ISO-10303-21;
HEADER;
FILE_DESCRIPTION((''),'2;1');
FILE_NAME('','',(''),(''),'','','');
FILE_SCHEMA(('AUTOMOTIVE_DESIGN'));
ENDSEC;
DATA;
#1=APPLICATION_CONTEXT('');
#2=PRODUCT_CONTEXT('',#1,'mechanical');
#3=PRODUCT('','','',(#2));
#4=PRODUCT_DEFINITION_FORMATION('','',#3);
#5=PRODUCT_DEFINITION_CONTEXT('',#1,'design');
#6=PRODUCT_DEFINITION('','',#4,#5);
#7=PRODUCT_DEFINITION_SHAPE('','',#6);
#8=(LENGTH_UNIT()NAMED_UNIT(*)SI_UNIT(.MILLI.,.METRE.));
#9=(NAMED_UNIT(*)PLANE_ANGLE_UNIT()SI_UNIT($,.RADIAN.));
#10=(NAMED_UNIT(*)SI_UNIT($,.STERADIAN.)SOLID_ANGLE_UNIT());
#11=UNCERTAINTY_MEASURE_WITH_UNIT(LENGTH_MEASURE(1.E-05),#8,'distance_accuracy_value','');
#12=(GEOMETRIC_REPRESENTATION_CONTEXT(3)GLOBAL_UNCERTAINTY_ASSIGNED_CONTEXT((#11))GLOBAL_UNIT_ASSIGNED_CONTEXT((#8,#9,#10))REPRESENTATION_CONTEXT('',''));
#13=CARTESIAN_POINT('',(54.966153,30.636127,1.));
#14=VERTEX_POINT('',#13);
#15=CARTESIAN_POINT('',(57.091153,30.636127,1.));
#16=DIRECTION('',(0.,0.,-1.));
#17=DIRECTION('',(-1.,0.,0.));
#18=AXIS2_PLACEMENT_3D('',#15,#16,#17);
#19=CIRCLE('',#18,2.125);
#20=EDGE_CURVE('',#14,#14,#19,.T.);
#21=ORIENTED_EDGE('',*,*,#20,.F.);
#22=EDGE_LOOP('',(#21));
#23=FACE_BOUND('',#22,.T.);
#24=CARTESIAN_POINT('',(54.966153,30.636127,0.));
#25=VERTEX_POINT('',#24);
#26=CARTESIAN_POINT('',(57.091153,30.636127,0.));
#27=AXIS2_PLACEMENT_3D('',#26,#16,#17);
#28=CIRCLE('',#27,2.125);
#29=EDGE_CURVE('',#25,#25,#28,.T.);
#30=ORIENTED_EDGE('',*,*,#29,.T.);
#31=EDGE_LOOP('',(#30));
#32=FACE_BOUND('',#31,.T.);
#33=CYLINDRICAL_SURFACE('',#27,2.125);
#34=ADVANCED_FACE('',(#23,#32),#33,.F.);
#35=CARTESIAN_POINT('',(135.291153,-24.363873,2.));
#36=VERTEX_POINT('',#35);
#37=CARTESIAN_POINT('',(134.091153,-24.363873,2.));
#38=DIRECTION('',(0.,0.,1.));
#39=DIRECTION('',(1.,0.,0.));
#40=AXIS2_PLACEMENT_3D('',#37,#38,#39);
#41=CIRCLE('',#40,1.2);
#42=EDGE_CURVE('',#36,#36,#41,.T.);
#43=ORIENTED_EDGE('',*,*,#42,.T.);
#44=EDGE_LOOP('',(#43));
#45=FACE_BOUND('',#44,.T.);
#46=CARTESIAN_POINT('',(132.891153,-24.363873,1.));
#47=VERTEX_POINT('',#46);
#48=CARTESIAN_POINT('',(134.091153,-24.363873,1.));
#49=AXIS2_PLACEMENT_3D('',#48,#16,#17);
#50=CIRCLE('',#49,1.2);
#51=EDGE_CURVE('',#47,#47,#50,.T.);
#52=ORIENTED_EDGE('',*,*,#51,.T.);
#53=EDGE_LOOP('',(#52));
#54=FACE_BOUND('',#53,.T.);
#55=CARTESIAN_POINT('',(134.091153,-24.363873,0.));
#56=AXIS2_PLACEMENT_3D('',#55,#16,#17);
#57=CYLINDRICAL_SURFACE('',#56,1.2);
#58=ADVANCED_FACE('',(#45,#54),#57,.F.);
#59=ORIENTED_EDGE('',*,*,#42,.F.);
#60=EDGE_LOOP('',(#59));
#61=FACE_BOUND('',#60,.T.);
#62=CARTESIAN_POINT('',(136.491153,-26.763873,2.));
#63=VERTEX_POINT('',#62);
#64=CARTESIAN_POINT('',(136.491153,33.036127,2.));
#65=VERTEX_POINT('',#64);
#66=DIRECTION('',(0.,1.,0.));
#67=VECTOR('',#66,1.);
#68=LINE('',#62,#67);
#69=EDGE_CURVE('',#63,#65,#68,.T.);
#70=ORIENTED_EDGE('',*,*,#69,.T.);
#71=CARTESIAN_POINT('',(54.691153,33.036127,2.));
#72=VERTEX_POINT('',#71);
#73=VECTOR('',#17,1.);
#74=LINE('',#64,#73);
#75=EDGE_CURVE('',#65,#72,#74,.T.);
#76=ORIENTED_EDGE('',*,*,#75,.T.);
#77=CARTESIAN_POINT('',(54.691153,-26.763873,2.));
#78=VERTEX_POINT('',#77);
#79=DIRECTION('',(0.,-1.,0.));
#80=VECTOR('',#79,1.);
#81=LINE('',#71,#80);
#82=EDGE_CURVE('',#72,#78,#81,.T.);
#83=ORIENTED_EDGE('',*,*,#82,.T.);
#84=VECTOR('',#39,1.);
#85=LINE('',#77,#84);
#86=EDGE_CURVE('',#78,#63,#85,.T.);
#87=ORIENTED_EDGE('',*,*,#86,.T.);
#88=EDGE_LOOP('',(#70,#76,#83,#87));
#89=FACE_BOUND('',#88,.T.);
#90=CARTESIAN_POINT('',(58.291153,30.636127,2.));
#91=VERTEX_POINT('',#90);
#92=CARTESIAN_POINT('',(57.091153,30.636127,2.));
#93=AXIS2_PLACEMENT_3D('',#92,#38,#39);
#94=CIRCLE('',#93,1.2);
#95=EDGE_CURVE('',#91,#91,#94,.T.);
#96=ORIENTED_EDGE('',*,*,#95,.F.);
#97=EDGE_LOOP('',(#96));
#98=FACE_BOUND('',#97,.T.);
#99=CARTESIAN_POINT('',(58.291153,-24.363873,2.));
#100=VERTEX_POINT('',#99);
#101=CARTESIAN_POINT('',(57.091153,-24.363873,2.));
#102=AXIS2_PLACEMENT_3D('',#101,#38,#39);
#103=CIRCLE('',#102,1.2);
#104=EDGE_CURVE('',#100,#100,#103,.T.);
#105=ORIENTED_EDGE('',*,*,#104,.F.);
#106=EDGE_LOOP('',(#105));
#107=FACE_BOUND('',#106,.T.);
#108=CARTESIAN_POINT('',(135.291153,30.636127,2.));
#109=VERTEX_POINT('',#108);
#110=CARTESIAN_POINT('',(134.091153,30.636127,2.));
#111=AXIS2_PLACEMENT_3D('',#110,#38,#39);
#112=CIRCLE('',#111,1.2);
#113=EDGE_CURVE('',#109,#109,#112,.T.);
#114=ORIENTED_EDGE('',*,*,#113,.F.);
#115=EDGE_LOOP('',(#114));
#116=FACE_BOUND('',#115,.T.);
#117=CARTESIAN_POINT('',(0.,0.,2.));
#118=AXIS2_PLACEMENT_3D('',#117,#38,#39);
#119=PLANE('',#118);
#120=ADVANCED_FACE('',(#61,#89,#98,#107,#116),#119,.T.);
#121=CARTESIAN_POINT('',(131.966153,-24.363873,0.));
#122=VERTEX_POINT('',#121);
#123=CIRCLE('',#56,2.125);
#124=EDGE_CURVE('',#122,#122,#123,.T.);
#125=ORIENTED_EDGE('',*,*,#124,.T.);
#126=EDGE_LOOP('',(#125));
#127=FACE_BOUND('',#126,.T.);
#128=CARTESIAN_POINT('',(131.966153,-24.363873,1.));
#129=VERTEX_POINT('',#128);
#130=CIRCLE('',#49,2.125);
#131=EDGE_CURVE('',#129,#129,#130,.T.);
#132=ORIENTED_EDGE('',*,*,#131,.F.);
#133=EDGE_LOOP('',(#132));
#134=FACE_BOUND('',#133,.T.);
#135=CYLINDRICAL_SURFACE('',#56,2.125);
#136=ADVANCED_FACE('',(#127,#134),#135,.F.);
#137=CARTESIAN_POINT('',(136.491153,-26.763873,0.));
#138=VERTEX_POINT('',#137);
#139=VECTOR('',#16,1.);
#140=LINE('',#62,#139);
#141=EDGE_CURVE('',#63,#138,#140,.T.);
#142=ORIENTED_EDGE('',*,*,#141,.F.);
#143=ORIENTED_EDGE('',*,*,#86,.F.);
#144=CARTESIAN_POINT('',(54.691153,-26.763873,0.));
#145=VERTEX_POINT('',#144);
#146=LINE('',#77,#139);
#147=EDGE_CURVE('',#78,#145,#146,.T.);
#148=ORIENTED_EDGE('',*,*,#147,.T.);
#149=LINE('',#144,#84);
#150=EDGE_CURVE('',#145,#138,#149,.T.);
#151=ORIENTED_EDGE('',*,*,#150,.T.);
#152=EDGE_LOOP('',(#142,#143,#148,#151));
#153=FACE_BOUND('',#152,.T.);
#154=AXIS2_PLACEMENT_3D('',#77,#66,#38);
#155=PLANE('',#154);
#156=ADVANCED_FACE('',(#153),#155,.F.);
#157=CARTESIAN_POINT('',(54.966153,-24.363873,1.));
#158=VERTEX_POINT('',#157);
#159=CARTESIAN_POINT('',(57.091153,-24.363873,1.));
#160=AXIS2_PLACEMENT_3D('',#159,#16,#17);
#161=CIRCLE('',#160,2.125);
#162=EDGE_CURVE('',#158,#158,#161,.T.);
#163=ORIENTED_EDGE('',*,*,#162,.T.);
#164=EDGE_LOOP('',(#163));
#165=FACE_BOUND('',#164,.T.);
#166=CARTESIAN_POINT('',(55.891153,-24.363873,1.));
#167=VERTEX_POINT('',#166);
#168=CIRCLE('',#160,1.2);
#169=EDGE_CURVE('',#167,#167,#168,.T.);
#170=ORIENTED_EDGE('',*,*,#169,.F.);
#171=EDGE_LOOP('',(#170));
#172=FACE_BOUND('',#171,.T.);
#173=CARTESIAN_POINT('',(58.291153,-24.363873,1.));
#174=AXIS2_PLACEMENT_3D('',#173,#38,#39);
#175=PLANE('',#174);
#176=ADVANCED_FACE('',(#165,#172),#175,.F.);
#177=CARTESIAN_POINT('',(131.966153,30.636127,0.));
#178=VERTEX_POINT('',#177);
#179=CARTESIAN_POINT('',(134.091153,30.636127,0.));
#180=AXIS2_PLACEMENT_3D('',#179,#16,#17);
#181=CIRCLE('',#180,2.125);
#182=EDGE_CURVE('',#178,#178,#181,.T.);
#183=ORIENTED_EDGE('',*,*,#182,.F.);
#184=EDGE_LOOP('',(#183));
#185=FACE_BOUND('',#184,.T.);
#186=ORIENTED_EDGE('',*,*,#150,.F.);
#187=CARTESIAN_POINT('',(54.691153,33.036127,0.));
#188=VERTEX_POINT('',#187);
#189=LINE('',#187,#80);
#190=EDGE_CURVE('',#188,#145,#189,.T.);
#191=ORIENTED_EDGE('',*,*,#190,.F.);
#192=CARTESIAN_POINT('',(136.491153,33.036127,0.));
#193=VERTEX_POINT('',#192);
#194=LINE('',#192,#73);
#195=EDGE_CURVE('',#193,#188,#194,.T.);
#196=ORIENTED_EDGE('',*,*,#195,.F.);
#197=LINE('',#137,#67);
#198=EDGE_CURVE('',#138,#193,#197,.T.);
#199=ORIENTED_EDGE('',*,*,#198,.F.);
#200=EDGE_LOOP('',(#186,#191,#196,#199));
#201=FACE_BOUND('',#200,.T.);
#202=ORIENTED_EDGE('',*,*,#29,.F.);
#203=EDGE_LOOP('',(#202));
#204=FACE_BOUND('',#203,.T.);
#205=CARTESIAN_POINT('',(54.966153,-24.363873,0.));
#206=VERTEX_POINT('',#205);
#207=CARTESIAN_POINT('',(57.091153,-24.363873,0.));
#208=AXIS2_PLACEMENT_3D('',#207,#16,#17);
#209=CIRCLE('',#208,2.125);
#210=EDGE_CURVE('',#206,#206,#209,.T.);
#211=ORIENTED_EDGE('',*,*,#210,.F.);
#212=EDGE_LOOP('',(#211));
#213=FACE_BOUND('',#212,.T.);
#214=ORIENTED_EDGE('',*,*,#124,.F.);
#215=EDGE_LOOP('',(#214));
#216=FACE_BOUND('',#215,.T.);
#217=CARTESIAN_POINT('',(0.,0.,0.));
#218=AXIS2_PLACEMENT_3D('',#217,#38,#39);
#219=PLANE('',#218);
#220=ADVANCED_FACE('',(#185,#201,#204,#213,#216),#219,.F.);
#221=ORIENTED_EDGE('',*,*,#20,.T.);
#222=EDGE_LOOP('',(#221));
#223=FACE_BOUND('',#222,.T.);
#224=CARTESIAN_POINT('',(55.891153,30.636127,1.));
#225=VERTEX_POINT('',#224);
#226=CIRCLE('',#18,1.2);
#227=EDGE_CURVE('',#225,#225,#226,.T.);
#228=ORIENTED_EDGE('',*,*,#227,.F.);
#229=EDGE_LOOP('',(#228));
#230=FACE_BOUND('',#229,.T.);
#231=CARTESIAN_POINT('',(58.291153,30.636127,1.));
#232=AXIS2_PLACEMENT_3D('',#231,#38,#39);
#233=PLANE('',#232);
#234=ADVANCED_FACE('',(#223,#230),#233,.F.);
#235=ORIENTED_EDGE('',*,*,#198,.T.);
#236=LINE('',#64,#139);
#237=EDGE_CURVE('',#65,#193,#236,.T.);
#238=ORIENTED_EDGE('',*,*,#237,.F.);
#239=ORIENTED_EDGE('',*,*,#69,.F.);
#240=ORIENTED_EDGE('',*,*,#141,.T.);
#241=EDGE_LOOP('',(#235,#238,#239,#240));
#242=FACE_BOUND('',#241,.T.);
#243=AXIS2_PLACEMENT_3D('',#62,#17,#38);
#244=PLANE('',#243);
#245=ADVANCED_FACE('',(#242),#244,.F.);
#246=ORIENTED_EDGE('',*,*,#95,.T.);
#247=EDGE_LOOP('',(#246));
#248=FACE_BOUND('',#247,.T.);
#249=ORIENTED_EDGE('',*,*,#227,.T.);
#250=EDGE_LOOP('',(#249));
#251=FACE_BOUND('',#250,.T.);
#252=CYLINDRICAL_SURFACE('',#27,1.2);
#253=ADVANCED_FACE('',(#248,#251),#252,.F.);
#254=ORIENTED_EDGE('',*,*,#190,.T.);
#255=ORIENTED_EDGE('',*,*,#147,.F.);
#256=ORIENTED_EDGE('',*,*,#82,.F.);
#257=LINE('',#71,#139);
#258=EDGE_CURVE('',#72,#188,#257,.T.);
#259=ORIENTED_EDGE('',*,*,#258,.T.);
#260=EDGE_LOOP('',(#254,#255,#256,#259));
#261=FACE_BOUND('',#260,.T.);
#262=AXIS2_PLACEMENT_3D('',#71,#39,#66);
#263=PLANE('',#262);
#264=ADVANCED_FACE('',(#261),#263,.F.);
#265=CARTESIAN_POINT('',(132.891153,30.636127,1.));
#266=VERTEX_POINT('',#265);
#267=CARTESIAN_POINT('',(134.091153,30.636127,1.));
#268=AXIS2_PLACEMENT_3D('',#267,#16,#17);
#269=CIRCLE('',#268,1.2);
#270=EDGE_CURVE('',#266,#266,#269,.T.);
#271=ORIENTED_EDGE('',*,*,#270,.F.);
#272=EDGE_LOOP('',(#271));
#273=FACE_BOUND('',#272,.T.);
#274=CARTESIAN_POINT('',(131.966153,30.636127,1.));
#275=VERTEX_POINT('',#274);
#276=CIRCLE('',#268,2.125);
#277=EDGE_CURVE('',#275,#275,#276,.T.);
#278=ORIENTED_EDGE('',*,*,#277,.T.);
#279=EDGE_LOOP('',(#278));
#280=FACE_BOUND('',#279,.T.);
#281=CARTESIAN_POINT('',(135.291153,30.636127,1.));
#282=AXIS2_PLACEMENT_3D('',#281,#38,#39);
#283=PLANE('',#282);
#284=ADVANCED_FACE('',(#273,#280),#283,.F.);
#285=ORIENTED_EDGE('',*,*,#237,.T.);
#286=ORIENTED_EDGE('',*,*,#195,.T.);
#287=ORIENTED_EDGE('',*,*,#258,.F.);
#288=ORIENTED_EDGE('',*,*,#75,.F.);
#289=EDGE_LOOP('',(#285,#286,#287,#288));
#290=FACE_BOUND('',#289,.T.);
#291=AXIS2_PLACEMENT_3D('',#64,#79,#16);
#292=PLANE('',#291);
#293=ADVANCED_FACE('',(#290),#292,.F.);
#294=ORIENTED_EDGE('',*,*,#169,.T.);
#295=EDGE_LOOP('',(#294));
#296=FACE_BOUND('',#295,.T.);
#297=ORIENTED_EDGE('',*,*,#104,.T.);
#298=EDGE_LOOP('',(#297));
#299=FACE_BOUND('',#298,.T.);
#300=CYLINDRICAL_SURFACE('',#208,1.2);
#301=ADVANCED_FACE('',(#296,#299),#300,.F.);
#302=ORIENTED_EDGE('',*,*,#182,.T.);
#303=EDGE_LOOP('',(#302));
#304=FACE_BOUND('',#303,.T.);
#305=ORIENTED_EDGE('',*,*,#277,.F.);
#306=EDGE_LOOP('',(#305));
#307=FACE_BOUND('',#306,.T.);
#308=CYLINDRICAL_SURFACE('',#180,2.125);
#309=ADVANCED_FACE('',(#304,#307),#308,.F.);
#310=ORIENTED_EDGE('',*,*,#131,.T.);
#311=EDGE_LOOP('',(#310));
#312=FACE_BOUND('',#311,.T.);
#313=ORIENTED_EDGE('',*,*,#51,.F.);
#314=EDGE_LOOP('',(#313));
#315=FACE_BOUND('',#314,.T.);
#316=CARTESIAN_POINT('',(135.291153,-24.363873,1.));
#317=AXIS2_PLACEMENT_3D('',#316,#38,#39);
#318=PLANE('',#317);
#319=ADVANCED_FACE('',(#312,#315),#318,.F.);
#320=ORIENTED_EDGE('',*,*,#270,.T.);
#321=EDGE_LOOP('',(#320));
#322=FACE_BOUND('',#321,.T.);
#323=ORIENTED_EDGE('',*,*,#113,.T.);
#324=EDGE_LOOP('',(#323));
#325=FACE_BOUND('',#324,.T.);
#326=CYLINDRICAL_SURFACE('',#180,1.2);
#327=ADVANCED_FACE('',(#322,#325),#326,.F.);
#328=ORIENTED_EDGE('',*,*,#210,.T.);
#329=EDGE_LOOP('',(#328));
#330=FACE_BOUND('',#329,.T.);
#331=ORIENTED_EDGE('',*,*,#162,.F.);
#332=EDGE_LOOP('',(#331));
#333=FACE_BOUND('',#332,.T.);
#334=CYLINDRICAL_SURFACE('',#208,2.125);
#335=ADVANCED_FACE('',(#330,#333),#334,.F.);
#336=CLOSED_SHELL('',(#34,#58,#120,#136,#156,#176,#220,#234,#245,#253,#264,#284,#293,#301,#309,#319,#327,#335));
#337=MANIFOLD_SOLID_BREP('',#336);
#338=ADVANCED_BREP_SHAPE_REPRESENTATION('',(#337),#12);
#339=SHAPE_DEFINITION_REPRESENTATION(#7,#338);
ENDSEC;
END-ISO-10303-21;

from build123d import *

# Parameters (mm, degrees)
SKETCH1_W                                        = 81.8
SKETCH1_H                                        = 59.8
BOSS_EXTRUDE1_DEPTH                              = 2
CBORE_FOR_M2_PAN_HEAD_MACHINE_SCREW1_D           = 2.4
CBORE_FOR_M2_PAN_HEAD_MACHINE_SCREW1_DEPTH       = 6
CBORE_FOR_M2_PAN_HEAD_MACHINE_SCREW1_CBORE_D     = 4.25
CBORE_FOR_M2_PAN_HEAD_MACHINE_SCREW1_CBORE_DEPTH = 1
CBORE_FOR_M2_PAN_HEAD_MACHINE_SCREW1_TIP         = 0.721032743


with BuildPart() as part:
    # Sketch1 → Boss-Extrude1 (new body)
    with BuildSketch(Plane.XY):
        with Locations((95.591153219, 3.136127214)):
            Rectangle(SKETCH1_W, SKETCH1_H)
    extrude(amount=BOSS_EXTRUDE1_DEPTH)

    # CBORE for M2 Pan Head Machine Screw1
    with Locations(Plane(origin=(0, 0, 0), x_dir=(-1, 0, 0), z_dir=(0, 0, -1))):
        with Locations((-57.091153219, 30.636127214), (-134.091153219, 30.636127214), (-57.091153219, -24.363872786), (-134.091153219, -24.363872786)):
            CounterBoreHole(CBORE_FOR_M2_PAN_HEAD_MACHINE_SCREW1_D / 2, CBORE_FOR_M2_PAN_HEAD_MACHINE_SCREW1_CBORE_D / 2, CBORE_FOR_M2_PAN_HEAD_MACHINE_SCREW1_CBORE_DEPTH, depth=CBORE_FOR_M2_PAN_HEAD_MACHINE_SCREW1_DEPTH)
            with Locations((0, 0, -(CBORE_FOR_M2_PAN_HEAD_MACHINE_SCREW1_DEPTH + CBORE_FOR_M2_PAN_HEAD_MACHINE_SCREW1_TIP / 2))):  # 118° drill point
                Cone(0, CBORE_FOR_M2_PAN_HEAD_MACHINE_SCREW1_D / 2, CBORE_FOR_M2_PAN_HEAD_MACHINE_SCREW1_TIP, mode=Mode.SUBTRACT)


solid = part.part
